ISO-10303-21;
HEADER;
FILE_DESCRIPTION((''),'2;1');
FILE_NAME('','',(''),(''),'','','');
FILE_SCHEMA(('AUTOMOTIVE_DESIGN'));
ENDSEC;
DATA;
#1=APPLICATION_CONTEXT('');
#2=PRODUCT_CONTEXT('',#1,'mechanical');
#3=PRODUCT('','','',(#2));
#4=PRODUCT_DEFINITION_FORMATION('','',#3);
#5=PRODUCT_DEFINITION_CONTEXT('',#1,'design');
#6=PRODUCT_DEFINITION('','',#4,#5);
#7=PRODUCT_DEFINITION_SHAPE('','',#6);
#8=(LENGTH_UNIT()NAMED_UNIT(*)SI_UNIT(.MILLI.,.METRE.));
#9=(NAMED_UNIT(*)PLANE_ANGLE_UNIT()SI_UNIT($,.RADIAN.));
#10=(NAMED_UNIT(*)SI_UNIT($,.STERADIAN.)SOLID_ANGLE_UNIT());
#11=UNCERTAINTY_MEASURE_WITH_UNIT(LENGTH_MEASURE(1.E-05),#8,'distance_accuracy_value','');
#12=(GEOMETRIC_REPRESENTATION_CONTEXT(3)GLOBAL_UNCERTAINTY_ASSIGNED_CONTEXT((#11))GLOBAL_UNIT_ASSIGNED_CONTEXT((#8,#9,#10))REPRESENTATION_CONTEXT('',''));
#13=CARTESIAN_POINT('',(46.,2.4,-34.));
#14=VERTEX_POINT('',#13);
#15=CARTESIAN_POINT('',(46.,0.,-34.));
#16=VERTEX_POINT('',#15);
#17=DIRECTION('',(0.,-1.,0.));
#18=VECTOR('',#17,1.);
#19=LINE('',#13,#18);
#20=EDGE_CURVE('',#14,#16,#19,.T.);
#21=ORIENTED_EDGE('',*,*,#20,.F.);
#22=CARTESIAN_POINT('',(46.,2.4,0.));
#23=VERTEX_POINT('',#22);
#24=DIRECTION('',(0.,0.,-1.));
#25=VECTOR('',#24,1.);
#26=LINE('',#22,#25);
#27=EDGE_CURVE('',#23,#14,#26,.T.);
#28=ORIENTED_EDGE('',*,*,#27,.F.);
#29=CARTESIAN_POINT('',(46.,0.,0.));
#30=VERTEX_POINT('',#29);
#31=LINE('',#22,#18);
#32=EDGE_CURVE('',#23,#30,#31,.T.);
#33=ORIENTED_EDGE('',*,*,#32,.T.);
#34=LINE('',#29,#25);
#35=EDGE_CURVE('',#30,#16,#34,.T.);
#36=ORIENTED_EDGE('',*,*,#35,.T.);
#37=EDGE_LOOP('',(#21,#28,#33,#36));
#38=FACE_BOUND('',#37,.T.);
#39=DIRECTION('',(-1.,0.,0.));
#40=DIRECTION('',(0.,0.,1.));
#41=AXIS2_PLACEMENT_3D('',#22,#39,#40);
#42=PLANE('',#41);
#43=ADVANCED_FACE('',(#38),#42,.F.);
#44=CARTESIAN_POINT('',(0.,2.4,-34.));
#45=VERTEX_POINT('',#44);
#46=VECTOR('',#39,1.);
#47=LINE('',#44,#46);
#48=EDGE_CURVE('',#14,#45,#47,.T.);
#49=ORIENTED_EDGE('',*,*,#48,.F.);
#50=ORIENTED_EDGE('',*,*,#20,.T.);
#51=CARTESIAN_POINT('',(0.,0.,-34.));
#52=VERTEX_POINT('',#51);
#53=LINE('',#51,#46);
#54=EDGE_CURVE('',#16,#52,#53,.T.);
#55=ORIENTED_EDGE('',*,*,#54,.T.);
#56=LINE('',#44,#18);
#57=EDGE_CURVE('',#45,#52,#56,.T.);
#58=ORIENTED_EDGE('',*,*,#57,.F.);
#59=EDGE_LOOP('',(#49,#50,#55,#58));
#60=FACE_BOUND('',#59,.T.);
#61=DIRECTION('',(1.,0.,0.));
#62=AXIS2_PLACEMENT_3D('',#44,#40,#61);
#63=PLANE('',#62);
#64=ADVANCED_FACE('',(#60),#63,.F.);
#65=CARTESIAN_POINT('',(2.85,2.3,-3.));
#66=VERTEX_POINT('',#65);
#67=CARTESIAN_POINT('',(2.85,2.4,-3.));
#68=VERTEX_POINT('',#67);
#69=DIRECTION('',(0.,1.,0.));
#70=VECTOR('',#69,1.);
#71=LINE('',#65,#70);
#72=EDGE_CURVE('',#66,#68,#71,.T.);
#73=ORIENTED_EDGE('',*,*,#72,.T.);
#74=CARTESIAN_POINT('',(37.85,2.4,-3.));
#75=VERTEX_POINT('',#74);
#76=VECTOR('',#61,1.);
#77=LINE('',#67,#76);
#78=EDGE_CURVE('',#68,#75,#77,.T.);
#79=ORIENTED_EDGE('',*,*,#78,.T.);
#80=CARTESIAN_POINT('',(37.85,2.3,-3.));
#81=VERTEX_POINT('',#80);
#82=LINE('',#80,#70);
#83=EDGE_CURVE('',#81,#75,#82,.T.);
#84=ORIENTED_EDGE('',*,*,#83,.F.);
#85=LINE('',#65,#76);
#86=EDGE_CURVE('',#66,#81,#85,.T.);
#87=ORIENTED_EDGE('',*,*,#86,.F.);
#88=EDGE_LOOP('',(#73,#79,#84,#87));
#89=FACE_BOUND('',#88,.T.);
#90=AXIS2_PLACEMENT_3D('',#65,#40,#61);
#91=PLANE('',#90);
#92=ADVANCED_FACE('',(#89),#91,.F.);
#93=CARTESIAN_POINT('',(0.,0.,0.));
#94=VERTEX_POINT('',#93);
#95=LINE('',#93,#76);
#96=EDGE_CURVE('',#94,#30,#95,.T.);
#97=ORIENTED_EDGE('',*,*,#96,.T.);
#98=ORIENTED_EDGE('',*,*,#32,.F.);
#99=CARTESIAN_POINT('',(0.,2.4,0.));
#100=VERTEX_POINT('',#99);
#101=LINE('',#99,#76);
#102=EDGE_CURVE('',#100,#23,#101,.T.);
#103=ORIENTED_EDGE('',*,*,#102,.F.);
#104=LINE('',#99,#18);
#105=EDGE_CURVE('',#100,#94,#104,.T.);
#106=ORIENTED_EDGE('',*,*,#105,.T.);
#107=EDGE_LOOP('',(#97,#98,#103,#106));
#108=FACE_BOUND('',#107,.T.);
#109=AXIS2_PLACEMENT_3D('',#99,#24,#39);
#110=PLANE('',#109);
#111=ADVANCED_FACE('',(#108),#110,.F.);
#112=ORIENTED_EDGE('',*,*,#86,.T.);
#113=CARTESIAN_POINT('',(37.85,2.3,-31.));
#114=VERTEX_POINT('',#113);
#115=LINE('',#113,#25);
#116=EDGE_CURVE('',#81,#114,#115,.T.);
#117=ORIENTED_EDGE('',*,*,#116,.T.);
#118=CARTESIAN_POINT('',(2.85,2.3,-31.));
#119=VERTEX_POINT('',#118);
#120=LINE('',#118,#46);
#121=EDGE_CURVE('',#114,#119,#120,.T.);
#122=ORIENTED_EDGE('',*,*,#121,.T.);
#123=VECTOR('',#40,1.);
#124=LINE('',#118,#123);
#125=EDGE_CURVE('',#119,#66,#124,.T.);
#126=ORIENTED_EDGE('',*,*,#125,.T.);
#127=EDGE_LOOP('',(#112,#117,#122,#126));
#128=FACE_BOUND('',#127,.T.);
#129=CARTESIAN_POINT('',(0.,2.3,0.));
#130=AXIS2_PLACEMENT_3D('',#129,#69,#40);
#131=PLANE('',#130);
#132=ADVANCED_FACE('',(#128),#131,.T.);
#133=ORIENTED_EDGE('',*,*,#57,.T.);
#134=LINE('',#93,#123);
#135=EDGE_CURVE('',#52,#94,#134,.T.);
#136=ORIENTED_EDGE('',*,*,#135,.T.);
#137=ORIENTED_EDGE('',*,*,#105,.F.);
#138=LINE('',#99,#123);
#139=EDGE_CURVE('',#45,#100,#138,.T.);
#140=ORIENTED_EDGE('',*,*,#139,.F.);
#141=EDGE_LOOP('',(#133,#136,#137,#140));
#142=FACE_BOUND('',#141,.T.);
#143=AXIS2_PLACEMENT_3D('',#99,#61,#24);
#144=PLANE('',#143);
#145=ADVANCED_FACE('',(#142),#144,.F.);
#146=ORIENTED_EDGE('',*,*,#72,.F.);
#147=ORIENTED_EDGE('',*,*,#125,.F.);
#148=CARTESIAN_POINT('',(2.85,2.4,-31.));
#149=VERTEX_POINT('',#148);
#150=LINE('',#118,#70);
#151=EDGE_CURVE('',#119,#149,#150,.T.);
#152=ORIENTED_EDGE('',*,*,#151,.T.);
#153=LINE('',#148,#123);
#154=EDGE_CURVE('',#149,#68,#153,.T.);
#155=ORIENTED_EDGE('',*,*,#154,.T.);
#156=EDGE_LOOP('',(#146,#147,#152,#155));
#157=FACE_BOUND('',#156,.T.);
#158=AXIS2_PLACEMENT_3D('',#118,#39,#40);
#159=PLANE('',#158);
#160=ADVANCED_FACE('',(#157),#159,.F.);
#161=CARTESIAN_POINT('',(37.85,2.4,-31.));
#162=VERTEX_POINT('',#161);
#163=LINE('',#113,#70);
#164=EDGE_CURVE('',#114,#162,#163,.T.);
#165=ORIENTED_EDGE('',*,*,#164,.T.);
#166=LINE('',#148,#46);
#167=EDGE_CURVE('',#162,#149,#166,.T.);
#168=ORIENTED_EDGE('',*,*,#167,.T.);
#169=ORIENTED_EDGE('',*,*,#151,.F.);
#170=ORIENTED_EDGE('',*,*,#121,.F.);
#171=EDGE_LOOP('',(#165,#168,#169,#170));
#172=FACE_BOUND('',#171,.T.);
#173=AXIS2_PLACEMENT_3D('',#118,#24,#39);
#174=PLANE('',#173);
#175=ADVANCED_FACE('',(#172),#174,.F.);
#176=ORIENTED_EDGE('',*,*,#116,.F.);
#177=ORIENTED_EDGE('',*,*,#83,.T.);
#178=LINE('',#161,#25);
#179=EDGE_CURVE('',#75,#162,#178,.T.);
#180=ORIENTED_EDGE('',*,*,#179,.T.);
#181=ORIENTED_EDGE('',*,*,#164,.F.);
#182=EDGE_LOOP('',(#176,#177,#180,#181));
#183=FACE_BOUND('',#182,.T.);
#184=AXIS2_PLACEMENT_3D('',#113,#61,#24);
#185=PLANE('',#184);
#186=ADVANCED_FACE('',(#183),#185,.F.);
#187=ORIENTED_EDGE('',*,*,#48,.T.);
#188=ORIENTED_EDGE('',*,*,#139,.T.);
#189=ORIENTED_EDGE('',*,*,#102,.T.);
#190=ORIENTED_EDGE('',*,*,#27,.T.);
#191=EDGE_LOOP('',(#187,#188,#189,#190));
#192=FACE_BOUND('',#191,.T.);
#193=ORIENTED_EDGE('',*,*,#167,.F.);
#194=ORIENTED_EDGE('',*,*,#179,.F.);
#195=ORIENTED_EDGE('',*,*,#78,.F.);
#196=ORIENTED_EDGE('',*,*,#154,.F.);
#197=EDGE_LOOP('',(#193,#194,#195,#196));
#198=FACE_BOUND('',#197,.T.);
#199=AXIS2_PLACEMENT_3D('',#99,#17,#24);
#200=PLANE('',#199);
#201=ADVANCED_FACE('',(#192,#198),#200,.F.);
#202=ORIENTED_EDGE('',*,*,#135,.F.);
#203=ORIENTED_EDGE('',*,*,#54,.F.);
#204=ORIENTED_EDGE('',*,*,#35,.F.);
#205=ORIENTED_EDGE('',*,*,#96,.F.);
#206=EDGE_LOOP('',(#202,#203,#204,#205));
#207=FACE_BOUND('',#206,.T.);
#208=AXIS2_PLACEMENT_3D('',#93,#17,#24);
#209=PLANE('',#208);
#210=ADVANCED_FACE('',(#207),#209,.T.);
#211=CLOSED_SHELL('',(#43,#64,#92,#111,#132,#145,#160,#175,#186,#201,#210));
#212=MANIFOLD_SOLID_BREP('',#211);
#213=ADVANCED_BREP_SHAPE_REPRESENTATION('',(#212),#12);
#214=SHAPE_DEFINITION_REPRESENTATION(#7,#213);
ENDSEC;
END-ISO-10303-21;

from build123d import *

# Parameters (mm, degrees)
SKETCH_1_W          = 46
SKETCH_1_H          = 34
EXTRUDE_1_DEPTH     = 2.4
SKETCH_2_W          = 35
SKETCH_2_H          = 28
CUT_EXTRUDE_1_DEPTH = 0.1


with BuildPart() as part:
    # 草图1 → 凸台-拉伸1 (new body)
    with BuildSketch(Plane(origin=(0, 0, 0), x_dir=(1, 0, 0), z_dir=(0, 1, 0))):
        with Locations((23, 17)):
            Rectangle(SKETCH_1_W, SKETCH_1_H)
    extrude(amount=EXTRUDE_1_DEPTH)

    # 草图2 → 切除-拉伸1 (cut)
    with BuildSketch(Plane(origin=(0, 2.4, 0), x_dir=(1, 0, 0), z_dir=(0, 1, 0))):
        with Locations((20.35, 17)):
            Rectangle(SKETCH_2_W, SKETCH_2_H)
    extrude(amount=-CUT_EXTRUDE_1_DEPTH, mode=Mode.SUBTRACT)


solid = part.part
